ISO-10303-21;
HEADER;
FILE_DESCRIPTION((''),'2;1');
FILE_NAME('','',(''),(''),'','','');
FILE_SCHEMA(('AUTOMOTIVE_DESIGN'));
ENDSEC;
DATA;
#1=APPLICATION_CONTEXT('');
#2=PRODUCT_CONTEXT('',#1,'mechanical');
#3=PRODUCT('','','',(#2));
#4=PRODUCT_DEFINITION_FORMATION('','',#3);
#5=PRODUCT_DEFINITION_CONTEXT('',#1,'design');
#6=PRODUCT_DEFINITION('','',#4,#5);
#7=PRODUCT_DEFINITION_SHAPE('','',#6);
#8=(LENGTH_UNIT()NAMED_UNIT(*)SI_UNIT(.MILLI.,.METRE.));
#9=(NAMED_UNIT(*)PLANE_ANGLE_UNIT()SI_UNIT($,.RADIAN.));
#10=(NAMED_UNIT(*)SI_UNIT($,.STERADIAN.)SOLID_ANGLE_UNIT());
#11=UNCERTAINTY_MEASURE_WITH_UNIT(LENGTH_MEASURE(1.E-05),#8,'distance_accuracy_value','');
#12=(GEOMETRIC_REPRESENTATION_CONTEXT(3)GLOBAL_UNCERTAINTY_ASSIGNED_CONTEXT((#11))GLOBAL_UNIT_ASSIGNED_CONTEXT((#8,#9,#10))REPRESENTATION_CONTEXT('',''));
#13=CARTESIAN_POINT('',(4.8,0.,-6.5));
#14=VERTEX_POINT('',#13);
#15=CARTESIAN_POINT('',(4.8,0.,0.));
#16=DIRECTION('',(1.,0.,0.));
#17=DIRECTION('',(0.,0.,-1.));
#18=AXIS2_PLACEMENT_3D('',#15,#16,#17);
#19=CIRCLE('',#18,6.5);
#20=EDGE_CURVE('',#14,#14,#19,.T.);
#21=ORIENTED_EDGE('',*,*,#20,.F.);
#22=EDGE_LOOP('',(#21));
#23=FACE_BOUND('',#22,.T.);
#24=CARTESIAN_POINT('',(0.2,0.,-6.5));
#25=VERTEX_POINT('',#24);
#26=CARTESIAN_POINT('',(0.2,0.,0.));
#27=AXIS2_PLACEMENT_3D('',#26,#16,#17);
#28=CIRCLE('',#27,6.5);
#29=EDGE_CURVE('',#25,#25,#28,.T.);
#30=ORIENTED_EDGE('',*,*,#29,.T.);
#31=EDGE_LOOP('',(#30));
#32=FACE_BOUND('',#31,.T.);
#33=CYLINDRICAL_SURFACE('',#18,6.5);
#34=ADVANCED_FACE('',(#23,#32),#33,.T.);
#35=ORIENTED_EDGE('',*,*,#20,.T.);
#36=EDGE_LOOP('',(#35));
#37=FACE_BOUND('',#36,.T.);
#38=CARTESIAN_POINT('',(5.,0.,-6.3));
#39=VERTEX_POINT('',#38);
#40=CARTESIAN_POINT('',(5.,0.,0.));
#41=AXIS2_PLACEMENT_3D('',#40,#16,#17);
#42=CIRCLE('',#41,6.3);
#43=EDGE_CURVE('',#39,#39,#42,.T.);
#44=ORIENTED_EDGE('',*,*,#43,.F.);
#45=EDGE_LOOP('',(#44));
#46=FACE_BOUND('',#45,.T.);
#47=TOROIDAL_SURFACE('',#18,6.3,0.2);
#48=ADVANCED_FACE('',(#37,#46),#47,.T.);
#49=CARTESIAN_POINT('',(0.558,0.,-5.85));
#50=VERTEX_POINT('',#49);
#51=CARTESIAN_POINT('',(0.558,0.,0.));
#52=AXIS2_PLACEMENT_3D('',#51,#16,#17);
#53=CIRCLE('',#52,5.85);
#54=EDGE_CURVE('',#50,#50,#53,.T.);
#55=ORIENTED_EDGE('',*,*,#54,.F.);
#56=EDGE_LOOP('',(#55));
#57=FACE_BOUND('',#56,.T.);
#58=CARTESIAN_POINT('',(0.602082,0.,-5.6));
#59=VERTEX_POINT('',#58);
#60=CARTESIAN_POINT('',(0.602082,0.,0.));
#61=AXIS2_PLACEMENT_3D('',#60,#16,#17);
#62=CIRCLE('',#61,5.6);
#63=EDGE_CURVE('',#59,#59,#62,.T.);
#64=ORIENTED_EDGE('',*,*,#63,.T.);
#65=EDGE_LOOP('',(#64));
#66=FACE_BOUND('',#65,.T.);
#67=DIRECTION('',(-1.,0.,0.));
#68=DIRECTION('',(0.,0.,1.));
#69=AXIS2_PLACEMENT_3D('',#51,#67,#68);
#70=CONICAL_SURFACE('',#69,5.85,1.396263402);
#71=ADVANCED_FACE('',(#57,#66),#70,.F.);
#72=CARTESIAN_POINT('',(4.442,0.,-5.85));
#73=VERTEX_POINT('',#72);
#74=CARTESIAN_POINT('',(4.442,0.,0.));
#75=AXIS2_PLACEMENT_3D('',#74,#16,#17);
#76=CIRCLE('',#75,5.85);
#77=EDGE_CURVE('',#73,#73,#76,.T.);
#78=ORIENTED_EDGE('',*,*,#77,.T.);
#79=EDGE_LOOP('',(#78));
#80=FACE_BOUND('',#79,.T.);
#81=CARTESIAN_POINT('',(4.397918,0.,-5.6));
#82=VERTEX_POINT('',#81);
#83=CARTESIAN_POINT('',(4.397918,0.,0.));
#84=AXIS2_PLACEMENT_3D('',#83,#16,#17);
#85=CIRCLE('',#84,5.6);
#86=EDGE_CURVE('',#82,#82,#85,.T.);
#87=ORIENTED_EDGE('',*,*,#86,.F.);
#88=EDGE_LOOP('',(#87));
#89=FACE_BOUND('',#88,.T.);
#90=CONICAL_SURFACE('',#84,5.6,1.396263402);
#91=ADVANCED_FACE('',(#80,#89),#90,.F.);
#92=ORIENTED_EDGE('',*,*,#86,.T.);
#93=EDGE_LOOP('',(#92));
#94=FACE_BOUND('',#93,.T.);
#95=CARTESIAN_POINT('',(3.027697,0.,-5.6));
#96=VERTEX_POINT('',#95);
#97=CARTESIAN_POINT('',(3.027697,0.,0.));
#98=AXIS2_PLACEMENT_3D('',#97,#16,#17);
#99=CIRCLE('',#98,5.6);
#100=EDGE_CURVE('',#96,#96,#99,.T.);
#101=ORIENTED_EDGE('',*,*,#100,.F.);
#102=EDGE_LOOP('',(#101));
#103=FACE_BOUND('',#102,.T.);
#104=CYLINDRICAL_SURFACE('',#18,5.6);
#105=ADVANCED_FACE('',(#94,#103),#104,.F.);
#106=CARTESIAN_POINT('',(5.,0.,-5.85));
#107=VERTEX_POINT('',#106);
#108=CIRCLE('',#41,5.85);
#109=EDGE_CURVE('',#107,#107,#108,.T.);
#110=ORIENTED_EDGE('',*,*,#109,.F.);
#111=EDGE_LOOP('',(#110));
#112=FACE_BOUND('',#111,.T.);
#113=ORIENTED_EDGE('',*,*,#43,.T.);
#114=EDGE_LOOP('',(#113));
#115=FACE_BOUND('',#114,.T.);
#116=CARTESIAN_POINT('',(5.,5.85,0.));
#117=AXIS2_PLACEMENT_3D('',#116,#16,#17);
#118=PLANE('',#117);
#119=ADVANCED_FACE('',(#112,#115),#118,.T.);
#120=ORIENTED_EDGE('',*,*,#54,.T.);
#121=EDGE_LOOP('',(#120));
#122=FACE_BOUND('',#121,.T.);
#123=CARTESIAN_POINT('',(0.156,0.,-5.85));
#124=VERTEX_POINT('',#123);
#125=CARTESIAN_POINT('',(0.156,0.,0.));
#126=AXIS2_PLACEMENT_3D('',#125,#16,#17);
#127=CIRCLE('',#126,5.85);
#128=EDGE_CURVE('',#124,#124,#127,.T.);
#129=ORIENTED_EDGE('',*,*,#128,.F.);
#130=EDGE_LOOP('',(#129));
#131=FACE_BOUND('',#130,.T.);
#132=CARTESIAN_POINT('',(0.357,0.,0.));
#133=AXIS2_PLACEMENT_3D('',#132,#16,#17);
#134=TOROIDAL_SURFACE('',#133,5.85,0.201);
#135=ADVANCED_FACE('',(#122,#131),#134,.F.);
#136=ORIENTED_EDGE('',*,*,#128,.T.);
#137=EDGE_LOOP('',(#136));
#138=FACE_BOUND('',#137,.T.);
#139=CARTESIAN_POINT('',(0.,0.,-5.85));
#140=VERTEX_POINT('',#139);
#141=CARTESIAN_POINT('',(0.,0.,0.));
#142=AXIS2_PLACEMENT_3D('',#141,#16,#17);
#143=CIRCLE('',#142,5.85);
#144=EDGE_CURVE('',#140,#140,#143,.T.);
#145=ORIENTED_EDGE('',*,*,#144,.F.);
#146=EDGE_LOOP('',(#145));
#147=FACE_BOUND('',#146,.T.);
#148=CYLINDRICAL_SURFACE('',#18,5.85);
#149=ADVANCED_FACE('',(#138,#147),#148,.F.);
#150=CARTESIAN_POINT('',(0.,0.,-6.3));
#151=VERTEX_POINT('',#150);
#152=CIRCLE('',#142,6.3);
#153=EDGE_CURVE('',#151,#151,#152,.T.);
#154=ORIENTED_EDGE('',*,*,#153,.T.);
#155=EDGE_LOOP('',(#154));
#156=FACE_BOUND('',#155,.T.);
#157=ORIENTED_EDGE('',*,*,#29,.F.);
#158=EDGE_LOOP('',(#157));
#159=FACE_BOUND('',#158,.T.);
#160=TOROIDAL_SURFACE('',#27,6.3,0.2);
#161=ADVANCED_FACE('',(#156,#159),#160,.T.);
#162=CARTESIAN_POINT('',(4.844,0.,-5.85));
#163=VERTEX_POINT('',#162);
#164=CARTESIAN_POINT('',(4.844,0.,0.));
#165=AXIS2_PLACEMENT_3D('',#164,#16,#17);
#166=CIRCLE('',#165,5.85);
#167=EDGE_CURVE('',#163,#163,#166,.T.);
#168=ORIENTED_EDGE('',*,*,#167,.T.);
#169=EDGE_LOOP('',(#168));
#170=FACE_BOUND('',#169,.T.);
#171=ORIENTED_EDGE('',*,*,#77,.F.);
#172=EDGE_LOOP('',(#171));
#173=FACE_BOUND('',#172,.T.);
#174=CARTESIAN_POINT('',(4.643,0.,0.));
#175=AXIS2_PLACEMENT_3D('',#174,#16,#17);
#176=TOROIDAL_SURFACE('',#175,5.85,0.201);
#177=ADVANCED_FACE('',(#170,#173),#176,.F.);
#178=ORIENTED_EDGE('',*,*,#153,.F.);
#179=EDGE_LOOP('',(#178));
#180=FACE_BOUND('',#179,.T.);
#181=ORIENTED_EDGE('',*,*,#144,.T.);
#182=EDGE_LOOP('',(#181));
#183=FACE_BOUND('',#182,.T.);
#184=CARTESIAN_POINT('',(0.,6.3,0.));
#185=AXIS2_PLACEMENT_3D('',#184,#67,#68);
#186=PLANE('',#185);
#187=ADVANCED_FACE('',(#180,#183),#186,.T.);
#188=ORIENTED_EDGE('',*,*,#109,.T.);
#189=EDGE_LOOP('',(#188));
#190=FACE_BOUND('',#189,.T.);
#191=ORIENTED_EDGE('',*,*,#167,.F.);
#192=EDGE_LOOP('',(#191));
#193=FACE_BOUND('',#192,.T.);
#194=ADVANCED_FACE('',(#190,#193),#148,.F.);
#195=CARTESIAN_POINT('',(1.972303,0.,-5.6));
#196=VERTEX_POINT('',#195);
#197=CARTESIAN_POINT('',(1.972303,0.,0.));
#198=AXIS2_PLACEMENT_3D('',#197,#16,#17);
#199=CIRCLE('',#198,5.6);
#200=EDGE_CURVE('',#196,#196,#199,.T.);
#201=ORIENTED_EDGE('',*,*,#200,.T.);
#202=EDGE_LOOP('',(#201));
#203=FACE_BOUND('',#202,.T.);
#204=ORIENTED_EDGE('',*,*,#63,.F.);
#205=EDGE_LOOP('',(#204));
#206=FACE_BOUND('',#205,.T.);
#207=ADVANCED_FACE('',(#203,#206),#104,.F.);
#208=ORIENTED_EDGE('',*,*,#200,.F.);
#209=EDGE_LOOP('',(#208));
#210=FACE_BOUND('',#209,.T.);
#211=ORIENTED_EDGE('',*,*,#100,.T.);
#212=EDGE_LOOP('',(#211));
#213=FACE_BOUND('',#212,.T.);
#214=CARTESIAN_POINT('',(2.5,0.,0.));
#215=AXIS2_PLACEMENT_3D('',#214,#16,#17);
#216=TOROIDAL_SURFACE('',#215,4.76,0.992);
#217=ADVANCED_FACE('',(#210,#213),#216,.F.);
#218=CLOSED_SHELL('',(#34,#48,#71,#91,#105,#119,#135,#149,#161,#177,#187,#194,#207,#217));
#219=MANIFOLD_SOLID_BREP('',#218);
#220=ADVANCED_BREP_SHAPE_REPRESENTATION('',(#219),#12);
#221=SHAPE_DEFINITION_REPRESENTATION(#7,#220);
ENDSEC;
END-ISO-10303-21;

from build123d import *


with BuildPart() as part:
    # Sketch1 → Revolve1 (revolve)
    with BuildSketch(Plane.XY):
        with BuildLine():
            Line((0, 5.85), (0.156, 5.85))
            ThreePointArc((0.156, 5.85), (0.357, 6.051), (0.558, 5.85))
            Line((0.558, 5.85), (0.602081745, 5.6))
            Line((0.602081745, 5.6), (1.972303117, 5.6))
            ThreePointArc((1.972303117, 5.6), (2.5, 5.752), (3.027696883, 5.6))
            Line((3.027696883, 5.6), (4.397918255, 5.6))
            Line((4.397918255, 5.6), (4.442, 5.85))
            ThreePointArc((4.442, 5.85), (4.643, 6.051), (4.844, 5.85))
            Line((4.844, 5.85), (5, 5.85))
            Line((5, 5.85), (5, 6.3))
            ThreePointArc((5, 6.3), (4.941421356, 6.441421356), (4.8, 6.5))
            Line((4.8, 6.5), (0.2, 6.5))
            ThreePointArc((0.2, 6.5), (0.058578644, 6.441421356), (0, 6.3))
            Line((0, 6.3), (0, 5.85))
        make_face()
    revolve(axis=Axis((4.8, 0, 0), (-1, 0, 0)))


solid = part.part
